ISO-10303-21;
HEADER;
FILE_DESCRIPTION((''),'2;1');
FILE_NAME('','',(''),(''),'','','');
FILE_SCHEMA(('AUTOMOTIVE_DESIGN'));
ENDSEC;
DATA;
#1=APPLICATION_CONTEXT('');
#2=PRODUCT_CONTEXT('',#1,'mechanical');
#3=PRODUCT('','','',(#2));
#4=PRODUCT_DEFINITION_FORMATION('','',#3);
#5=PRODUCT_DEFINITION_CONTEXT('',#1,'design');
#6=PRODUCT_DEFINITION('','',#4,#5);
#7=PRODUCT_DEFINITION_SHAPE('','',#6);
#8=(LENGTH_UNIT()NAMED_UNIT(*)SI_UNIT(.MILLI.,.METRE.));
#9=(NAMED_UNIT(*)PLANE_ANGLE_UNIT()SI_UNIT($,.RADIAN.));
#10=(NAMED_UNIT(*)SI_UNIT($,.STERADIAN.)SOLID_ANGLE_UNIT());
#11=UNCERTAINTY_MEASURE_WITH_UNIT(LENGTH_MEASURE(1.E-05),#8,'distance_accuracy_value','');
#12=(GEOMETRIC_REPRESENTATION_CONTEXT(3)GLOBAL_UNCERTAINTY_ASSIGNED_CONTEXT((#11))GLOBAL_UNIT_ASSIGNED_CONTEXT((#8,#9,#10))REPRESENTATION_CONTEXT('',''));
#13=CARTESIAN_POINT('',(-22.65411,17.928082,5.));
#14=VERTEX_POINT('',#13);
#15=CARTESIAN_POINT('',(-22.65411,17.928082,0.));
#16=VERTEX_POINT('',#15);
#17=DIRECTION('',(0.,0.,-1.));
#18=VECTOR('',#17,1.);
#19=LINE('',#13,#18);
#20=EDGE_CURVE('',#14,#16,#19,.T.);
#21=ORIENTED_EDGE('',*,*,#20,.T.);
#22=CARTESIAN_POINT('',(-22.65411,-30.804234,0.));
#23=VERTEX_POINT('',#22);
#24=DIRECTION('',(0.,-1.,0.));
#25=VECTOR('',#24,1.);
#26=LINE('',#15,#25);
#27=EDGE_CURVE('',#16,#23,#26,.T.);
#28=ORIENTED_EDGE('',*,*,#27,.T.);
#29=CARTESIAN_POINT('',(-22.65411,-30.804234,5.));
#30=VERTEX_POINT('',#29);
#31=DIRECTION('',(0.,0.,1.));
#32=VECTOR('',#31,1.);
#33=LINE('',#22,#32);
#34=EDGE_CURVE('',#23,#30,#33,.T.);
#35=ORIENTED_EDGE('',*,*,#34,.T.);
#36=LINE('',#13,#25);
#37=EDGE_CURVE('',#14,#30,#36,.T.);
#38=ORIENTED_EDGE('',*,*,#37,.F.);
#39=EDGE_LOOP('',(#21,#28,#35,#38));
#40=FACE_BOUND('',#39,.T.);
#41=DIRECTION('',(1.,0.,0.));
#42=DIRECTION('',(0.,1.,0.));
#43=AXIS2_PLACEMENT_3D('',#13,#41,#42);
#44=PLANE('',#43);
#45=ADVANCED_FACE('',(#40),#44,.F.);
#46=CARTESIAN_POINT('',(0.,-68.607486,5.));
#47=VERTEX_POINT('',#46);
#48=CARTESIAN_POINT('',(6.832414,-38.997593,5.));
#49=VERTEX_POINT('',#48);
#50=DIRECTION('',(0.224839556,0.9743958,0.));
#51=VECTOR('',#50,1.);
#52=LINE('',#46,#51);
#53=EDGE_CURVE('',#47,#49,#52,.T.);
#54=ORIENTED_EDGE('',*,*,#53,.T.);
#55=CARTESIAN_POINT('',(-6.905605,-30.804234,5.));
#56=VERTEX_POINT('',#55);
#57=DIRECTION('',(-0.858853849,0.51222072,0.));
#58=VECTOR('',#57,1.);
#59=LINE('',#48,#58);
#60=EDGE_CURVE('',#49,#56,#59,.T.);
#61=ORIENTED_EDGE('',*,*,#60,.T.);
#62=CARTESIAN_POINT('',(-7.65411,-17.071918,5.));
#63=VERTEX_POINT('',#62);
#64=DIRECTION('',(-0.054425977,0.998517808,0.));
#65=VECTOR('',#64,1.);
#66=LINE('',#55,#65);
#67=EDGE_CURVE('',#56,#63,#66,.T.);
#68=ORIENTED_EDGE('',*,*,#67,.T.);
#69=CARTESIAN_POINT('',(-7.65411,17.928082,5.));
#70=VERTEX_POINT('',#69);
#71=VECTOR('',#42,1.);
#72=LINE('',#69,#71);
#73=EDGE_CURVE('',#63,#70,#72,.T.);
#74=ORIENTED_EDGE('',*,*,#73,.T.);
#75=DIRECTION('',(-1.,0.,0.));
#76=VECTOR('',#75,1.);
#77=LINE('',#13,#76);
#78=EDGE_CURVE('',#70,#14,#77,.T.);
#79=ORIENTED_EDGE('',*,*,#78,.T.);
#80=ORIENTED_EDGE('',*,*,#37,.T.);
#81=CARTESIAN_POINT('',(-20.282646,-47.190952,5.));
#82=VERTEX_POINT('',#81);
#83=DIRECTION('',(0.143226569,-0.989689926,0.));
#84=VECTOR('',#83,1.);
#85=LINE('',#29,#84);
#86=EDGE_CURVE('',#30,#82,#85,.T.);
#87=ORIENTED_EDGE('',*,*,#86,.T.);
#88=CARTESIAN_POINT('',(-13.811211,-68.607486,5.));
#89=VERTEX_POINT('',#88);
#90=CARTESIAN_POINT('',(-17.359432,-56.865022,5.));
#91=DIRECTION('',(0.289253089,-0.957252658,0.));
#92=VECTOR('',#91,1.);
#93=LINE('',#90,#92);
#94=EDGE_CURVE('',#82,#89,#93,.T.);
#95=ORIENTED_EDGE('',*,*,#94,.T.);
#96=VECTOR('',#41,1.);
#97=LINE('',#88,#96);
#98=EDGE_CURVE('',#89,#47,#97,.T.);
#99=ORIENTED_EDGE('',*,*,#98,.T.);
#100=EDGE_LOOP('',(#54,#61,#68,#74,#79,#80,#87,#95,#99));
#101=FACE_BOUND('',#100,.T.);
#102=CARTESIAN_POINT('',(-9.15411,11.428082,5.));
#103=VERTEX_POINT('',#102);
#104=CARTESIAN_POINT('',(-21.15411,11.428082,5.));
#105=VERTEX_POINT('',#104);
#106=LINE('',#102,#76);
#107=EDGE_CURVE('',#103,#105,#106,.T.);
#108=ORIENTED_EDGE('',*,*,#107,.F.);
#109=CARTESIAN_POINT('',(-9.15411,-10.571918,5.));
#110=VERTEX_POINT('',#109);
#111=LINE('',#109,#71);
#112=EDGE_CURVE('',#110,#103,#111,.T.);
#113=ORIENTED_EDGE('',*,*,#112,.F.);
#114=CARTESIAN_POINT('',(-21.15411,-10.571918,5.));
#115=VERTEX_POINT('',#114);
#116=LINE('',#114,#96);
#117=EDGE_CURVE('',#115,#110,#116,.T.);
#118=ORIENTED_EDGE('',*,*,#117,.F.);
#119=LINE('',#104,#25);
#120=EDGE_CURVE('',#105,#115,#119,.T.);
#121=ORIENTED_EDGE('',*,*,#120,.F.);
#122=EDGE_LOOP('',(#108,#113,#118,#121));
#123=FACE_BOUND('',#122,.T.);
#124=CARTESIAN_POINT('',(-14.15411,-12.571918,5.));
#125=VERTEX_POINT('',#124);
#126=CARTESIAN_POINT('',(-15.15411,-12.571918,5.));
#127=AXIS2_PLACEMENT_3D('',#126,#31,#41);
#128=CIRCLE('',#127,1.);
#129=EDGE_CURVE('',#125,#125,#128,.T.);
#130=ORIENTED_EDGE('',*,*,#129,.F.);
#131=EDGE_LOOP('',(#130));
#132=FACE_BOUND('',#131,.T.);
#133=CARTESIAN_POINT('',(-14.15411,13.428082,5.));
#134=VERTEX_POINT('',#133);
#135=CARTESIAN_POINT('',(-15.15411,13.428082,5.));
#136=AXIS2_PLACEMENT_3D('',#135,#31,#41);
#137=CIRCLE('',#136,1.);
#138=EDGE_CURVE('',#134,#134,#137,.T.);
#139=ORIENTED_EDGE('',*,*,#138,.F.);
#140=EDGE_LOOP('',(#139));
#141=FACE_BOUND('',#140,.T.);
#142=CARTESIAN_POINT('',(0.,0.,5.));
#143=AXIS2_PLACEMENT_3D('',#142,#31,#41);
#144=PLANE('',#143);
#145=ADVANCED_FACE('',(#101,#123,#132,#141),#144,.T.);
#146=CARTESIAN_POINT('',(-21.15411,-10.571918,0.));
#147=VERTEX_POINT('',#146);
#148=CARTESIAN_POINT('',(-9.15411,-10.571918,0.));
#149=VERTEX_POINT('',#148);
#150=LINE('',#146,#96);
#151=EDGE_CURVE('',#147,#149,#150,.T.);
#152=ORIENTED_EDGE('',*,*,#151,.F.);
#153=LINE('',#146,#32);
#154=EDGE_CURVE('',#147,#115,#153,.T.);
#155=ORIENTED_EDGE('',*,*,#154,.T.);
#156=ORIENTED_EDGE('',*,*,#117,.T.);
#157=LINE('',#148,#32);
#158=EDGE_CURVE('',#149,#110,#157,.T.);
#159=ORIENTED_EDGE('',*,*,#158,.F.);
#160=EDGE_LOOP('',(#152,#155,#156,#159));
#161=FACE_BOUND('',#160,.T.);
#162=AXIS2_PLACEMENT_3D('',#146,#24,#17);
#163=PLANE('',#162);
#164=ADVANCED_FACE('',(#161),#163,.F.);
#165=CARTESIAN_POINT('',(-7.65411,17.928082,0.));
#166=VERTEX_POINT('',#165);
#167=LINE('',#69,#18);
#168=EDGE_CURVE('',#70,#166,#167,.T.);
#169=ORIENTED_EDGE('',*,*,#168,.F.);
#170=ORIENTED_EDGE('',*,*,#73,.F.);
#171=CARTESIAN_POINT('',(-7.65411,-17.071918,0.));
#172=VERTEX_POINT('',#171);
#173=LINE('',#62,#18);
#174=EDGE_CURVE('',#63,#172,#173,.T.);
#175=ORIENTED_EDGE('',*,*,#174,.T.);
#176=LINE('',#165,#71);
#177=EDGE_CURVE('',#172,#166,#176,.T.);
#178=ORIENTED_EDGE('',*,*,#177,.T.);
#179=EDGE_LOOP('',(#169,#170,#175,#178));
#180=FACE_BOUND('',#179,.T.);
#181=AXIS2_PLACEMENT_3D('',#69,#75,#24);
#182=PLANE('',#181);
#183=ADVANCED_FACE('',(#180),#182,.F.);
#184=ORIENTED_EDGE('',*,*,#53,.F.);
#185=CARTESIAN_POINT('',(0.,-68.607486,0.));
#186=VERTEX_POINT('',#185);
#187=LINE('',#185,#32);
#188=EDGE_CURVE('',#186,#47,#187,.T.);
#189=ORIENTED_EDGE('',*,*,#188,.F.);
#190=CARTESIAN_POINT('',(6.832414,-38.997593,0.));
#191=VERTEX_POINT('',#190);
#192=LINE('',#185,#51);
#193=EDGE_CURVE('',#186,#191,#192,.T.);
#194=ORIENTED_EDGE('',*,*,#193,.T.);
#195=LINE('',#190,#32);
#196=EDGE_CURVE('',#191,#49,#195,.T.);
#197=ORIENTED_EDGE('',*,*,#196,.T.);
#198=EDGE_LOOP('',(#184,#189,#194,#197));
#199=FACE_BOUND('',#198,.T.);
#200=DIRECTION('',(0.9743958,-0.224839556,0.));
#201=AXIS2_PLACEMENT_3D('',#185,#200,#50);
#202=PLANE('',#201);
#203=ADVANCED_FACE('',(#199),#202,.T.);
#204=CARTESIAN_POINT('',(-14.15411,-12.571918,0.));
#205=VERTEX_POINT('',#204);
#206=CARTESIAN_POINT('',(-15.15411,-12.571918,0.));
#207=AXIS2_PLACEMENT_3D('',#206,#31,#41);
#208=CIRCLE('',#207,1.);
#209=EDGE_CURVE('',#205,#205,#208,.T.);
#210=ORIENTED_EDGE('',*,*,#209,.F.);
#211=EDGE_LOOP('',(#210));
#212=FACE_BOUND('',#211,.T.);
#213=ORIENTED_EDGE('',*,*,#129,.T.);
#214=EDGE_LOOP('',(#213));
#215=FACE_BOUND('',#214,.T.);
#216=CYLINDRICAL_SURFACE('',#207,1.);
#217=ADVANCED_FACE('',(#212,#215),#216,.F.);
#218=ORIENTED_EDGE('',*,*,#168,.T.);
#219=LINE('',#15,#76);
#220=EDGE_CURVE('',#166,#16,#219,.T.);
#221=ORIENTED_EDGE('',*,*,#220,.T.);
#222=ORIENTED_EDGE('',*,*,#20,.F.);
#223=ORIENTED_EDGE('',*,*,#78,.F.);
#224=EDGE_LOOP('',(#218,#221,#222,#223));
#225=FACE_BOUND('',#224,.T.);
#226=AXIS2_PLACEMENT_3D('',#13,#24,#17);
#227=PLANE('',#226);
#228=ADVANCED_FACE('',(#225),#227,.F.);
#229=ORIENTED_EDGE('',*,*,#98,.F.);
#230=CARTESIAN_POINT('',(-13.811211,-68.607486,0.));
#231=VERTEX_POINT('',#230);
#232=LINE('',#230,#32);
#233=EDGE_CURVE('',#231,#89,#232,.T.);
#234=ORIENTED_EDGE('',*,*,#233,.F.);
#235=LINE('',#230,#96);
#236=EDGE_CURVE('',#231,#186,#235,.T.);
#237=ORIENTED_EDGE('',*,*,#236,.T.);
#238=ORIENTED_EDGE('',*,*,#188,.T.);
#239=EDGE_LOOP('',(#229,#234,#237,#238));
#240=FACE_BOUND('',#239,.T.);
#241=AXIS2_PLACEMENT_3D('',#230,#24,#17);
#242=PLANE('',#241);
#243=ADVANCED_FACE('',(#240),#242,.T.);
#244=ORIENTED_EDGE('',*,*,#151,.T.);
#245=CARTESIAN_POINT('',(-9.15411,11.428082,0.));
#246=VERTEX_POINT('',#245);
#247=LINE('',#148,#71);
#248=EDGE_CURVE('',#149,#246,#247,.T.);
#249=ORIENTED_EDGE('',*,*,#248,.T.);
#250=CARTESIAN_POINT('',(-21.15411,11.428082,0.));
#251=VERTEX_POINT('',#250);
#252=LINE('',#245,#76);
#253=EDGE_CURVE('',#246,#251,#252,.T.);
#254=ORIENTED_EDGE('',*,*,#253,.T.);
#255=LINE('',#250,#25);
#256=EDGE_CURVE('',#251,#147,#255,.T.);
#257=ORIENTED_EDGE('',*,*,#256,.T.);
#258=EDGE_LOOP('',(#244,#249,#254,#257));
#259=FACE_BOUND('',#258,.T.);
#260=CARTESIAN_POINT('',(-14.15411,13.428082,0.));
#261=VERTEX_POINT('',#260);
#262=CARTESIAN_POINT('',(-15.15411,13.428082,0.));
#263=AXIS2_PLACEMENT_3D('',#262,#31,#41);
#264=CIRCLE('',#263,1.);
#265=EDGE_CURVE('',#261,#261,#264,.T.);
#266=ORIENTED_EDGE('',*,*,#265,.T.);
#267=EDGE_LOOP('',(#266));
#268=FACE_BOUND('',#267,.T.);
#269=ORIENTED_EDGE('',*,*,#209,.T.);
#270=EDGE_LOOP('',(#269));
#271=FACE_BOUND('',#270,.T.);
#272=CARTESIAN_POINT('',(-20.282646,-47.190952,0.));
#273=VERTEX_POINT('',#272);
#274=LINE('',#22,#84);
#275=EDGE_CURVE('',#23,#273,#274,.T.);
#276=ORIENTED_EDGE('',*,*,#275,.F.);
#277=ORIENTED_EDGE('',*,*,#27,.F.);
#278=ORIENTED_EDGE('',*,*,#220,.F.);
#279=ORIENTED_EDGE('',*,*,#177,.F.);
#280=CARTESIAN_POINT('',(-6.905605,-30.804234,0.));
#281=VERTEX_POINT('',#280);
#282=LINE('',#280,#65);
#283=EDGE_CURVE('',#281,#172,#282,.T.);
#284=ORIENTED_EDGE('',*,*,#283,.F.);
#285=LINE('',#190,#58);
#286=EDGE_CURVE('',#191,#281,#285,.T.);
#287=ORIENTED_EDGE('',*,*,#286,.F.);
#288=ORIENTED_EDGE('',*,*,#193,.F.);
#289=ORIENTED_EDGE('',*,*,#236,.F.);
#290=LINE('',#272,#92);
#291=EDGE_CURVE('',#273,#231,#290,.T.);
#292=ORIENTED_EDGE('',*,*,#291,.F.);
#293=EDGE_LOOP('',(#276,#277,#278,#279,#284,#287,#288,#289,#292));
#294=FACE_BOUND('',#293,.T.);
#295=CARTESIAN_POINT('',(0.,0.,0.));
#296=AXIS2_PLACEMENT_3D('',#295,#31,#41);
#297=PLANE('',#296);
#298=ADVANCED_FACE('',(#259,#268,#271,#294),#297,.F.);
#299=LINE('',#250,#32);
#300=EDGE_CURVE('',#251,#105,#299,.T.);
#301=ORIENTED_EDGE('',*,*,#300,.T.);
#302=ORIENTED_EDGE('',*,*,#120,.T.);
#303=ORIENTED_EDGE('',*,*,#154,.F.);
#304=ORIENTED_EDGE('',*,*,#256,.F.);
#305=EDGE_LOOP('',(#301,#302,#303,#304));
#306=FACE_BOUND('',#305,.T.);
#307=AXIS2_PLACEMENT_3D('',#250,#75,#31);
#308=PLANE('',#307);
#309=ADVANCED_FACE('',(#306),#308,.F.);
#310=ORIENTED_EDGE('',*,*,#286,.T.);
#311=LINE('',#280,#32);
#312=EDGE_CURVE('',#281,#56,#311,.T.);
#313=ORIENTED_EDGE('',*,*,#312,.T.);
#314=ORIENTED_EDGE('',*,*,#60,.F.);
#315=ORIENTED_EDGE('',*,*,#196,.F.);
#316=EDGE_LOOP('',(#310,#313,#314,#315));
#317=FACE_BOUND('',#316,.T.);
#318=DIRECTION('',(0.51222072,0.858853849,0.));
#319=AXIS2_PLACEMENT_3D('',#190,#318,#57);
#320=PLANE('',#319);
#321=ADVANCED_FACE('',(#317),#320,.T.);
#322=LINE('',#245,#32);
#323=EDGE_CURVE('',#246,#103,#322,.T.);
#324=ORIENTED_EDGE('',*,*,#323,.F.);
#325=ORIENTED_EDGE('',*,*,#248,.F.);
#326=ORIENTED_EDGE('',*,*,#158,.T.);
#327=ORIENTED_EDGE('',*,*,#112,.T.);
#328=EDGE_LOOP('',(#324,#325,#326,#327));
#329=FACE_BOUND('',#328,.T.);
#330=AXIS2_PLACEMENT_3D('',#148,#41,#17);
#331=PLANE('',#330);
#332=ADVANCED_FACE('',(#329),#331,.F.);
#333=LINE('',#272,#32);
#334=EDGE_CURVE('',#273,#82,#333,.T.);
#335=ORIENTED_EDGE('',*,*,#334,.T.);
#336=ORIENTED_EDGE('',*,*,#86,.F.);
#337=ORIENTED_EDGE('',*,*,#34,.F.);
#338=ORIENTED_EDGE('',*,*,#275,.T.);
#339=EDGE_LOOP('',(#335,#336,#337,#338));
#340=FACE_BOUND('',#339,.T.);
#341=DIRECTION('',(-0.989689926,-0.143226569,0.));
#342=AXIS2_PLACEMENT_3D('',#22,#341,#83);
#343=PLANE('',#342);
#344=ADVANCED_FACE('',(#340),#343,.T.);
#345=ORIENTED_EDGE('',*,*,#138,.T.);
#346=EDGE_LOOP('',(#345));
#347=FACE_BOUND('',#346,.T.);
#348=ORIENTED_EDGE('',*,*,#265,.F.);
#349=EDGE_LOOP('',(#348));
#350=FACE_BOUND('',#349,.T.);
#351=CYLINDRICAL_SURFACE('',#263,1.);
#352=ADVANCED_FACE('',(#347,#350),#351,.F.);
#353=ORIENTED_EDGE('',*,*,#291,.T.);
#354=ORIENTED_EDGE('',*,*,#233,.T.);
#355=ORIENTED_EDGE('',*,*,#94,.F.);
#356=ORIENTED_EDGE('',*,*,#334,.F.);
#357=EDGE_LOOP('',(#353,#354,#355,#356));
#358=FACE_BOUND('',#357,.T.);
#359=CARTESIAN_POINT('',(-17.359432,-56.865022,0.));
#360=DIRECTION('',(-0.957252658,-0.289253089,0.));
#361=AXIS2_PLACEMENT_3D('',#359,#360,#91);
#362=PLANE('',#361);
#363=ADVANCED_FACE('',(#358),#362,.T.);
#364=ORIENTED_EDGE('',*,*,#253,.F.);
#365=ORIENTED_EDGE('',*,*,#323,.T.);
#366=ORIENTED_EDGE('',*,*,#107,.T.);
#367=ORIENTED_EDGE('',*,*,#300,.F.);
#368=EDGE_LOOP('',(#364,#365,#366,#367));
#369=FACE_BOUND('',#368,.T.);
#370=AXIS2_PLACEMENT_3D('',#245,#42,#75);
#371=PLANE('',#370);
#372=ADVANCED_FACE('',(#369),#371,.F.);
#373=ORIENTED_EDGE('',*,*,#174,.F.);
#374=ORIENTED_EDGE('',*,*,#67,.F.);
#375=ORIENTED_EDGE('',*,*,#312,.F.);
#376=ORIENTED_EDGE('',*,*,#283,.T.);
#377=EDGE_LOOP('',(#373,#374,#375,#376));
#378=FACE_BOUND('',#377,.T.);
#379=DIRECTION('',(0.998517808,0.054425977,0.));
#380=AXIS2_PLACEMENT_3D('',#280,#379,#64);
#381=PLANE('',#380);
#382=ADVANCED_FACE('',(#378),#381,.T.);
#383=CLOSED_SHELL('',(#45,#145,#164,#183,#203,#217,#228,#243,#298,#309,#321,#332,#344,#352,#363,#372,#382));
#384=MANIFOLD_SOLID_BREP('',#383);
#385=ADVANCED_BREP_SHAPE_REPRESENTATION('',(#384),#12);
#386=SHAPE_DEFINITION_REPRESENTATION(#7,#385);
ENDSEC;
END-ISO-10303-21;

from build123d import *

# Parameters (mm, degrees)
SKETCH1_W           = 15
SKETCH1_H           = 35
BOSS_EXTRUDE1_DEPTH = 5
SKETCH2_R           = 1
SKETCH2_W           = 12
SKETCH2_H           = 22
CUT_EXTRUDE1_DEPTH  = 5
BOSS_EXTRUDE2_DEPTH = 5


with BuildPart() as part:
    # Sketch1 → Boss-Extrude1 (new body)
    with BuildSketch(Plane.XY):
        with Locations((-15.154109589, 0.428082192)):
            Rectangle(SKETCH1_W, SKETCH1_H)
    extrude(amount=BOSS_EXTRUDE1_DEPTH)

    # Sketch2 → Cut-Extrude1 (cut)
    with BuildSketch(Plane.XY.offset(5)):
        with Locations((-15.154109589, -12.571917808)):
            Circle(SKETCH2_R)
        with Locations((-15.154109589, 13.428082192)):
            Circle(SKETCH2_R)
        with Locations((-15.154109589, 0.428082192)):
            Rectangle(SKETCH2_W, SKETCH2_H)
    extrude(amount=-CUT_EXTRUDE1_DEPTH, mode=Mode.SUBTRACT)

    # Sketch3 → Boss-Extrude2 (add)
    with BuildSketch(Plane.XY.offset(5)):
        Polygon((-22.654109589, -17.071917808), (-22.654109589, -30.804233772), (-20.282646179, -47.190952111), (-17.359431797, -56.865022466), (-13.811210888, -68.607486145), (0, -68.607486145), (6.832413717, -38.997592941), (-6.905605444, -30.804233772), (-7.654109589, -17.071917808), align=None)
    extrude(amount=-BOSS_EXTRUDE2_DEPTH)


solid = part.part
